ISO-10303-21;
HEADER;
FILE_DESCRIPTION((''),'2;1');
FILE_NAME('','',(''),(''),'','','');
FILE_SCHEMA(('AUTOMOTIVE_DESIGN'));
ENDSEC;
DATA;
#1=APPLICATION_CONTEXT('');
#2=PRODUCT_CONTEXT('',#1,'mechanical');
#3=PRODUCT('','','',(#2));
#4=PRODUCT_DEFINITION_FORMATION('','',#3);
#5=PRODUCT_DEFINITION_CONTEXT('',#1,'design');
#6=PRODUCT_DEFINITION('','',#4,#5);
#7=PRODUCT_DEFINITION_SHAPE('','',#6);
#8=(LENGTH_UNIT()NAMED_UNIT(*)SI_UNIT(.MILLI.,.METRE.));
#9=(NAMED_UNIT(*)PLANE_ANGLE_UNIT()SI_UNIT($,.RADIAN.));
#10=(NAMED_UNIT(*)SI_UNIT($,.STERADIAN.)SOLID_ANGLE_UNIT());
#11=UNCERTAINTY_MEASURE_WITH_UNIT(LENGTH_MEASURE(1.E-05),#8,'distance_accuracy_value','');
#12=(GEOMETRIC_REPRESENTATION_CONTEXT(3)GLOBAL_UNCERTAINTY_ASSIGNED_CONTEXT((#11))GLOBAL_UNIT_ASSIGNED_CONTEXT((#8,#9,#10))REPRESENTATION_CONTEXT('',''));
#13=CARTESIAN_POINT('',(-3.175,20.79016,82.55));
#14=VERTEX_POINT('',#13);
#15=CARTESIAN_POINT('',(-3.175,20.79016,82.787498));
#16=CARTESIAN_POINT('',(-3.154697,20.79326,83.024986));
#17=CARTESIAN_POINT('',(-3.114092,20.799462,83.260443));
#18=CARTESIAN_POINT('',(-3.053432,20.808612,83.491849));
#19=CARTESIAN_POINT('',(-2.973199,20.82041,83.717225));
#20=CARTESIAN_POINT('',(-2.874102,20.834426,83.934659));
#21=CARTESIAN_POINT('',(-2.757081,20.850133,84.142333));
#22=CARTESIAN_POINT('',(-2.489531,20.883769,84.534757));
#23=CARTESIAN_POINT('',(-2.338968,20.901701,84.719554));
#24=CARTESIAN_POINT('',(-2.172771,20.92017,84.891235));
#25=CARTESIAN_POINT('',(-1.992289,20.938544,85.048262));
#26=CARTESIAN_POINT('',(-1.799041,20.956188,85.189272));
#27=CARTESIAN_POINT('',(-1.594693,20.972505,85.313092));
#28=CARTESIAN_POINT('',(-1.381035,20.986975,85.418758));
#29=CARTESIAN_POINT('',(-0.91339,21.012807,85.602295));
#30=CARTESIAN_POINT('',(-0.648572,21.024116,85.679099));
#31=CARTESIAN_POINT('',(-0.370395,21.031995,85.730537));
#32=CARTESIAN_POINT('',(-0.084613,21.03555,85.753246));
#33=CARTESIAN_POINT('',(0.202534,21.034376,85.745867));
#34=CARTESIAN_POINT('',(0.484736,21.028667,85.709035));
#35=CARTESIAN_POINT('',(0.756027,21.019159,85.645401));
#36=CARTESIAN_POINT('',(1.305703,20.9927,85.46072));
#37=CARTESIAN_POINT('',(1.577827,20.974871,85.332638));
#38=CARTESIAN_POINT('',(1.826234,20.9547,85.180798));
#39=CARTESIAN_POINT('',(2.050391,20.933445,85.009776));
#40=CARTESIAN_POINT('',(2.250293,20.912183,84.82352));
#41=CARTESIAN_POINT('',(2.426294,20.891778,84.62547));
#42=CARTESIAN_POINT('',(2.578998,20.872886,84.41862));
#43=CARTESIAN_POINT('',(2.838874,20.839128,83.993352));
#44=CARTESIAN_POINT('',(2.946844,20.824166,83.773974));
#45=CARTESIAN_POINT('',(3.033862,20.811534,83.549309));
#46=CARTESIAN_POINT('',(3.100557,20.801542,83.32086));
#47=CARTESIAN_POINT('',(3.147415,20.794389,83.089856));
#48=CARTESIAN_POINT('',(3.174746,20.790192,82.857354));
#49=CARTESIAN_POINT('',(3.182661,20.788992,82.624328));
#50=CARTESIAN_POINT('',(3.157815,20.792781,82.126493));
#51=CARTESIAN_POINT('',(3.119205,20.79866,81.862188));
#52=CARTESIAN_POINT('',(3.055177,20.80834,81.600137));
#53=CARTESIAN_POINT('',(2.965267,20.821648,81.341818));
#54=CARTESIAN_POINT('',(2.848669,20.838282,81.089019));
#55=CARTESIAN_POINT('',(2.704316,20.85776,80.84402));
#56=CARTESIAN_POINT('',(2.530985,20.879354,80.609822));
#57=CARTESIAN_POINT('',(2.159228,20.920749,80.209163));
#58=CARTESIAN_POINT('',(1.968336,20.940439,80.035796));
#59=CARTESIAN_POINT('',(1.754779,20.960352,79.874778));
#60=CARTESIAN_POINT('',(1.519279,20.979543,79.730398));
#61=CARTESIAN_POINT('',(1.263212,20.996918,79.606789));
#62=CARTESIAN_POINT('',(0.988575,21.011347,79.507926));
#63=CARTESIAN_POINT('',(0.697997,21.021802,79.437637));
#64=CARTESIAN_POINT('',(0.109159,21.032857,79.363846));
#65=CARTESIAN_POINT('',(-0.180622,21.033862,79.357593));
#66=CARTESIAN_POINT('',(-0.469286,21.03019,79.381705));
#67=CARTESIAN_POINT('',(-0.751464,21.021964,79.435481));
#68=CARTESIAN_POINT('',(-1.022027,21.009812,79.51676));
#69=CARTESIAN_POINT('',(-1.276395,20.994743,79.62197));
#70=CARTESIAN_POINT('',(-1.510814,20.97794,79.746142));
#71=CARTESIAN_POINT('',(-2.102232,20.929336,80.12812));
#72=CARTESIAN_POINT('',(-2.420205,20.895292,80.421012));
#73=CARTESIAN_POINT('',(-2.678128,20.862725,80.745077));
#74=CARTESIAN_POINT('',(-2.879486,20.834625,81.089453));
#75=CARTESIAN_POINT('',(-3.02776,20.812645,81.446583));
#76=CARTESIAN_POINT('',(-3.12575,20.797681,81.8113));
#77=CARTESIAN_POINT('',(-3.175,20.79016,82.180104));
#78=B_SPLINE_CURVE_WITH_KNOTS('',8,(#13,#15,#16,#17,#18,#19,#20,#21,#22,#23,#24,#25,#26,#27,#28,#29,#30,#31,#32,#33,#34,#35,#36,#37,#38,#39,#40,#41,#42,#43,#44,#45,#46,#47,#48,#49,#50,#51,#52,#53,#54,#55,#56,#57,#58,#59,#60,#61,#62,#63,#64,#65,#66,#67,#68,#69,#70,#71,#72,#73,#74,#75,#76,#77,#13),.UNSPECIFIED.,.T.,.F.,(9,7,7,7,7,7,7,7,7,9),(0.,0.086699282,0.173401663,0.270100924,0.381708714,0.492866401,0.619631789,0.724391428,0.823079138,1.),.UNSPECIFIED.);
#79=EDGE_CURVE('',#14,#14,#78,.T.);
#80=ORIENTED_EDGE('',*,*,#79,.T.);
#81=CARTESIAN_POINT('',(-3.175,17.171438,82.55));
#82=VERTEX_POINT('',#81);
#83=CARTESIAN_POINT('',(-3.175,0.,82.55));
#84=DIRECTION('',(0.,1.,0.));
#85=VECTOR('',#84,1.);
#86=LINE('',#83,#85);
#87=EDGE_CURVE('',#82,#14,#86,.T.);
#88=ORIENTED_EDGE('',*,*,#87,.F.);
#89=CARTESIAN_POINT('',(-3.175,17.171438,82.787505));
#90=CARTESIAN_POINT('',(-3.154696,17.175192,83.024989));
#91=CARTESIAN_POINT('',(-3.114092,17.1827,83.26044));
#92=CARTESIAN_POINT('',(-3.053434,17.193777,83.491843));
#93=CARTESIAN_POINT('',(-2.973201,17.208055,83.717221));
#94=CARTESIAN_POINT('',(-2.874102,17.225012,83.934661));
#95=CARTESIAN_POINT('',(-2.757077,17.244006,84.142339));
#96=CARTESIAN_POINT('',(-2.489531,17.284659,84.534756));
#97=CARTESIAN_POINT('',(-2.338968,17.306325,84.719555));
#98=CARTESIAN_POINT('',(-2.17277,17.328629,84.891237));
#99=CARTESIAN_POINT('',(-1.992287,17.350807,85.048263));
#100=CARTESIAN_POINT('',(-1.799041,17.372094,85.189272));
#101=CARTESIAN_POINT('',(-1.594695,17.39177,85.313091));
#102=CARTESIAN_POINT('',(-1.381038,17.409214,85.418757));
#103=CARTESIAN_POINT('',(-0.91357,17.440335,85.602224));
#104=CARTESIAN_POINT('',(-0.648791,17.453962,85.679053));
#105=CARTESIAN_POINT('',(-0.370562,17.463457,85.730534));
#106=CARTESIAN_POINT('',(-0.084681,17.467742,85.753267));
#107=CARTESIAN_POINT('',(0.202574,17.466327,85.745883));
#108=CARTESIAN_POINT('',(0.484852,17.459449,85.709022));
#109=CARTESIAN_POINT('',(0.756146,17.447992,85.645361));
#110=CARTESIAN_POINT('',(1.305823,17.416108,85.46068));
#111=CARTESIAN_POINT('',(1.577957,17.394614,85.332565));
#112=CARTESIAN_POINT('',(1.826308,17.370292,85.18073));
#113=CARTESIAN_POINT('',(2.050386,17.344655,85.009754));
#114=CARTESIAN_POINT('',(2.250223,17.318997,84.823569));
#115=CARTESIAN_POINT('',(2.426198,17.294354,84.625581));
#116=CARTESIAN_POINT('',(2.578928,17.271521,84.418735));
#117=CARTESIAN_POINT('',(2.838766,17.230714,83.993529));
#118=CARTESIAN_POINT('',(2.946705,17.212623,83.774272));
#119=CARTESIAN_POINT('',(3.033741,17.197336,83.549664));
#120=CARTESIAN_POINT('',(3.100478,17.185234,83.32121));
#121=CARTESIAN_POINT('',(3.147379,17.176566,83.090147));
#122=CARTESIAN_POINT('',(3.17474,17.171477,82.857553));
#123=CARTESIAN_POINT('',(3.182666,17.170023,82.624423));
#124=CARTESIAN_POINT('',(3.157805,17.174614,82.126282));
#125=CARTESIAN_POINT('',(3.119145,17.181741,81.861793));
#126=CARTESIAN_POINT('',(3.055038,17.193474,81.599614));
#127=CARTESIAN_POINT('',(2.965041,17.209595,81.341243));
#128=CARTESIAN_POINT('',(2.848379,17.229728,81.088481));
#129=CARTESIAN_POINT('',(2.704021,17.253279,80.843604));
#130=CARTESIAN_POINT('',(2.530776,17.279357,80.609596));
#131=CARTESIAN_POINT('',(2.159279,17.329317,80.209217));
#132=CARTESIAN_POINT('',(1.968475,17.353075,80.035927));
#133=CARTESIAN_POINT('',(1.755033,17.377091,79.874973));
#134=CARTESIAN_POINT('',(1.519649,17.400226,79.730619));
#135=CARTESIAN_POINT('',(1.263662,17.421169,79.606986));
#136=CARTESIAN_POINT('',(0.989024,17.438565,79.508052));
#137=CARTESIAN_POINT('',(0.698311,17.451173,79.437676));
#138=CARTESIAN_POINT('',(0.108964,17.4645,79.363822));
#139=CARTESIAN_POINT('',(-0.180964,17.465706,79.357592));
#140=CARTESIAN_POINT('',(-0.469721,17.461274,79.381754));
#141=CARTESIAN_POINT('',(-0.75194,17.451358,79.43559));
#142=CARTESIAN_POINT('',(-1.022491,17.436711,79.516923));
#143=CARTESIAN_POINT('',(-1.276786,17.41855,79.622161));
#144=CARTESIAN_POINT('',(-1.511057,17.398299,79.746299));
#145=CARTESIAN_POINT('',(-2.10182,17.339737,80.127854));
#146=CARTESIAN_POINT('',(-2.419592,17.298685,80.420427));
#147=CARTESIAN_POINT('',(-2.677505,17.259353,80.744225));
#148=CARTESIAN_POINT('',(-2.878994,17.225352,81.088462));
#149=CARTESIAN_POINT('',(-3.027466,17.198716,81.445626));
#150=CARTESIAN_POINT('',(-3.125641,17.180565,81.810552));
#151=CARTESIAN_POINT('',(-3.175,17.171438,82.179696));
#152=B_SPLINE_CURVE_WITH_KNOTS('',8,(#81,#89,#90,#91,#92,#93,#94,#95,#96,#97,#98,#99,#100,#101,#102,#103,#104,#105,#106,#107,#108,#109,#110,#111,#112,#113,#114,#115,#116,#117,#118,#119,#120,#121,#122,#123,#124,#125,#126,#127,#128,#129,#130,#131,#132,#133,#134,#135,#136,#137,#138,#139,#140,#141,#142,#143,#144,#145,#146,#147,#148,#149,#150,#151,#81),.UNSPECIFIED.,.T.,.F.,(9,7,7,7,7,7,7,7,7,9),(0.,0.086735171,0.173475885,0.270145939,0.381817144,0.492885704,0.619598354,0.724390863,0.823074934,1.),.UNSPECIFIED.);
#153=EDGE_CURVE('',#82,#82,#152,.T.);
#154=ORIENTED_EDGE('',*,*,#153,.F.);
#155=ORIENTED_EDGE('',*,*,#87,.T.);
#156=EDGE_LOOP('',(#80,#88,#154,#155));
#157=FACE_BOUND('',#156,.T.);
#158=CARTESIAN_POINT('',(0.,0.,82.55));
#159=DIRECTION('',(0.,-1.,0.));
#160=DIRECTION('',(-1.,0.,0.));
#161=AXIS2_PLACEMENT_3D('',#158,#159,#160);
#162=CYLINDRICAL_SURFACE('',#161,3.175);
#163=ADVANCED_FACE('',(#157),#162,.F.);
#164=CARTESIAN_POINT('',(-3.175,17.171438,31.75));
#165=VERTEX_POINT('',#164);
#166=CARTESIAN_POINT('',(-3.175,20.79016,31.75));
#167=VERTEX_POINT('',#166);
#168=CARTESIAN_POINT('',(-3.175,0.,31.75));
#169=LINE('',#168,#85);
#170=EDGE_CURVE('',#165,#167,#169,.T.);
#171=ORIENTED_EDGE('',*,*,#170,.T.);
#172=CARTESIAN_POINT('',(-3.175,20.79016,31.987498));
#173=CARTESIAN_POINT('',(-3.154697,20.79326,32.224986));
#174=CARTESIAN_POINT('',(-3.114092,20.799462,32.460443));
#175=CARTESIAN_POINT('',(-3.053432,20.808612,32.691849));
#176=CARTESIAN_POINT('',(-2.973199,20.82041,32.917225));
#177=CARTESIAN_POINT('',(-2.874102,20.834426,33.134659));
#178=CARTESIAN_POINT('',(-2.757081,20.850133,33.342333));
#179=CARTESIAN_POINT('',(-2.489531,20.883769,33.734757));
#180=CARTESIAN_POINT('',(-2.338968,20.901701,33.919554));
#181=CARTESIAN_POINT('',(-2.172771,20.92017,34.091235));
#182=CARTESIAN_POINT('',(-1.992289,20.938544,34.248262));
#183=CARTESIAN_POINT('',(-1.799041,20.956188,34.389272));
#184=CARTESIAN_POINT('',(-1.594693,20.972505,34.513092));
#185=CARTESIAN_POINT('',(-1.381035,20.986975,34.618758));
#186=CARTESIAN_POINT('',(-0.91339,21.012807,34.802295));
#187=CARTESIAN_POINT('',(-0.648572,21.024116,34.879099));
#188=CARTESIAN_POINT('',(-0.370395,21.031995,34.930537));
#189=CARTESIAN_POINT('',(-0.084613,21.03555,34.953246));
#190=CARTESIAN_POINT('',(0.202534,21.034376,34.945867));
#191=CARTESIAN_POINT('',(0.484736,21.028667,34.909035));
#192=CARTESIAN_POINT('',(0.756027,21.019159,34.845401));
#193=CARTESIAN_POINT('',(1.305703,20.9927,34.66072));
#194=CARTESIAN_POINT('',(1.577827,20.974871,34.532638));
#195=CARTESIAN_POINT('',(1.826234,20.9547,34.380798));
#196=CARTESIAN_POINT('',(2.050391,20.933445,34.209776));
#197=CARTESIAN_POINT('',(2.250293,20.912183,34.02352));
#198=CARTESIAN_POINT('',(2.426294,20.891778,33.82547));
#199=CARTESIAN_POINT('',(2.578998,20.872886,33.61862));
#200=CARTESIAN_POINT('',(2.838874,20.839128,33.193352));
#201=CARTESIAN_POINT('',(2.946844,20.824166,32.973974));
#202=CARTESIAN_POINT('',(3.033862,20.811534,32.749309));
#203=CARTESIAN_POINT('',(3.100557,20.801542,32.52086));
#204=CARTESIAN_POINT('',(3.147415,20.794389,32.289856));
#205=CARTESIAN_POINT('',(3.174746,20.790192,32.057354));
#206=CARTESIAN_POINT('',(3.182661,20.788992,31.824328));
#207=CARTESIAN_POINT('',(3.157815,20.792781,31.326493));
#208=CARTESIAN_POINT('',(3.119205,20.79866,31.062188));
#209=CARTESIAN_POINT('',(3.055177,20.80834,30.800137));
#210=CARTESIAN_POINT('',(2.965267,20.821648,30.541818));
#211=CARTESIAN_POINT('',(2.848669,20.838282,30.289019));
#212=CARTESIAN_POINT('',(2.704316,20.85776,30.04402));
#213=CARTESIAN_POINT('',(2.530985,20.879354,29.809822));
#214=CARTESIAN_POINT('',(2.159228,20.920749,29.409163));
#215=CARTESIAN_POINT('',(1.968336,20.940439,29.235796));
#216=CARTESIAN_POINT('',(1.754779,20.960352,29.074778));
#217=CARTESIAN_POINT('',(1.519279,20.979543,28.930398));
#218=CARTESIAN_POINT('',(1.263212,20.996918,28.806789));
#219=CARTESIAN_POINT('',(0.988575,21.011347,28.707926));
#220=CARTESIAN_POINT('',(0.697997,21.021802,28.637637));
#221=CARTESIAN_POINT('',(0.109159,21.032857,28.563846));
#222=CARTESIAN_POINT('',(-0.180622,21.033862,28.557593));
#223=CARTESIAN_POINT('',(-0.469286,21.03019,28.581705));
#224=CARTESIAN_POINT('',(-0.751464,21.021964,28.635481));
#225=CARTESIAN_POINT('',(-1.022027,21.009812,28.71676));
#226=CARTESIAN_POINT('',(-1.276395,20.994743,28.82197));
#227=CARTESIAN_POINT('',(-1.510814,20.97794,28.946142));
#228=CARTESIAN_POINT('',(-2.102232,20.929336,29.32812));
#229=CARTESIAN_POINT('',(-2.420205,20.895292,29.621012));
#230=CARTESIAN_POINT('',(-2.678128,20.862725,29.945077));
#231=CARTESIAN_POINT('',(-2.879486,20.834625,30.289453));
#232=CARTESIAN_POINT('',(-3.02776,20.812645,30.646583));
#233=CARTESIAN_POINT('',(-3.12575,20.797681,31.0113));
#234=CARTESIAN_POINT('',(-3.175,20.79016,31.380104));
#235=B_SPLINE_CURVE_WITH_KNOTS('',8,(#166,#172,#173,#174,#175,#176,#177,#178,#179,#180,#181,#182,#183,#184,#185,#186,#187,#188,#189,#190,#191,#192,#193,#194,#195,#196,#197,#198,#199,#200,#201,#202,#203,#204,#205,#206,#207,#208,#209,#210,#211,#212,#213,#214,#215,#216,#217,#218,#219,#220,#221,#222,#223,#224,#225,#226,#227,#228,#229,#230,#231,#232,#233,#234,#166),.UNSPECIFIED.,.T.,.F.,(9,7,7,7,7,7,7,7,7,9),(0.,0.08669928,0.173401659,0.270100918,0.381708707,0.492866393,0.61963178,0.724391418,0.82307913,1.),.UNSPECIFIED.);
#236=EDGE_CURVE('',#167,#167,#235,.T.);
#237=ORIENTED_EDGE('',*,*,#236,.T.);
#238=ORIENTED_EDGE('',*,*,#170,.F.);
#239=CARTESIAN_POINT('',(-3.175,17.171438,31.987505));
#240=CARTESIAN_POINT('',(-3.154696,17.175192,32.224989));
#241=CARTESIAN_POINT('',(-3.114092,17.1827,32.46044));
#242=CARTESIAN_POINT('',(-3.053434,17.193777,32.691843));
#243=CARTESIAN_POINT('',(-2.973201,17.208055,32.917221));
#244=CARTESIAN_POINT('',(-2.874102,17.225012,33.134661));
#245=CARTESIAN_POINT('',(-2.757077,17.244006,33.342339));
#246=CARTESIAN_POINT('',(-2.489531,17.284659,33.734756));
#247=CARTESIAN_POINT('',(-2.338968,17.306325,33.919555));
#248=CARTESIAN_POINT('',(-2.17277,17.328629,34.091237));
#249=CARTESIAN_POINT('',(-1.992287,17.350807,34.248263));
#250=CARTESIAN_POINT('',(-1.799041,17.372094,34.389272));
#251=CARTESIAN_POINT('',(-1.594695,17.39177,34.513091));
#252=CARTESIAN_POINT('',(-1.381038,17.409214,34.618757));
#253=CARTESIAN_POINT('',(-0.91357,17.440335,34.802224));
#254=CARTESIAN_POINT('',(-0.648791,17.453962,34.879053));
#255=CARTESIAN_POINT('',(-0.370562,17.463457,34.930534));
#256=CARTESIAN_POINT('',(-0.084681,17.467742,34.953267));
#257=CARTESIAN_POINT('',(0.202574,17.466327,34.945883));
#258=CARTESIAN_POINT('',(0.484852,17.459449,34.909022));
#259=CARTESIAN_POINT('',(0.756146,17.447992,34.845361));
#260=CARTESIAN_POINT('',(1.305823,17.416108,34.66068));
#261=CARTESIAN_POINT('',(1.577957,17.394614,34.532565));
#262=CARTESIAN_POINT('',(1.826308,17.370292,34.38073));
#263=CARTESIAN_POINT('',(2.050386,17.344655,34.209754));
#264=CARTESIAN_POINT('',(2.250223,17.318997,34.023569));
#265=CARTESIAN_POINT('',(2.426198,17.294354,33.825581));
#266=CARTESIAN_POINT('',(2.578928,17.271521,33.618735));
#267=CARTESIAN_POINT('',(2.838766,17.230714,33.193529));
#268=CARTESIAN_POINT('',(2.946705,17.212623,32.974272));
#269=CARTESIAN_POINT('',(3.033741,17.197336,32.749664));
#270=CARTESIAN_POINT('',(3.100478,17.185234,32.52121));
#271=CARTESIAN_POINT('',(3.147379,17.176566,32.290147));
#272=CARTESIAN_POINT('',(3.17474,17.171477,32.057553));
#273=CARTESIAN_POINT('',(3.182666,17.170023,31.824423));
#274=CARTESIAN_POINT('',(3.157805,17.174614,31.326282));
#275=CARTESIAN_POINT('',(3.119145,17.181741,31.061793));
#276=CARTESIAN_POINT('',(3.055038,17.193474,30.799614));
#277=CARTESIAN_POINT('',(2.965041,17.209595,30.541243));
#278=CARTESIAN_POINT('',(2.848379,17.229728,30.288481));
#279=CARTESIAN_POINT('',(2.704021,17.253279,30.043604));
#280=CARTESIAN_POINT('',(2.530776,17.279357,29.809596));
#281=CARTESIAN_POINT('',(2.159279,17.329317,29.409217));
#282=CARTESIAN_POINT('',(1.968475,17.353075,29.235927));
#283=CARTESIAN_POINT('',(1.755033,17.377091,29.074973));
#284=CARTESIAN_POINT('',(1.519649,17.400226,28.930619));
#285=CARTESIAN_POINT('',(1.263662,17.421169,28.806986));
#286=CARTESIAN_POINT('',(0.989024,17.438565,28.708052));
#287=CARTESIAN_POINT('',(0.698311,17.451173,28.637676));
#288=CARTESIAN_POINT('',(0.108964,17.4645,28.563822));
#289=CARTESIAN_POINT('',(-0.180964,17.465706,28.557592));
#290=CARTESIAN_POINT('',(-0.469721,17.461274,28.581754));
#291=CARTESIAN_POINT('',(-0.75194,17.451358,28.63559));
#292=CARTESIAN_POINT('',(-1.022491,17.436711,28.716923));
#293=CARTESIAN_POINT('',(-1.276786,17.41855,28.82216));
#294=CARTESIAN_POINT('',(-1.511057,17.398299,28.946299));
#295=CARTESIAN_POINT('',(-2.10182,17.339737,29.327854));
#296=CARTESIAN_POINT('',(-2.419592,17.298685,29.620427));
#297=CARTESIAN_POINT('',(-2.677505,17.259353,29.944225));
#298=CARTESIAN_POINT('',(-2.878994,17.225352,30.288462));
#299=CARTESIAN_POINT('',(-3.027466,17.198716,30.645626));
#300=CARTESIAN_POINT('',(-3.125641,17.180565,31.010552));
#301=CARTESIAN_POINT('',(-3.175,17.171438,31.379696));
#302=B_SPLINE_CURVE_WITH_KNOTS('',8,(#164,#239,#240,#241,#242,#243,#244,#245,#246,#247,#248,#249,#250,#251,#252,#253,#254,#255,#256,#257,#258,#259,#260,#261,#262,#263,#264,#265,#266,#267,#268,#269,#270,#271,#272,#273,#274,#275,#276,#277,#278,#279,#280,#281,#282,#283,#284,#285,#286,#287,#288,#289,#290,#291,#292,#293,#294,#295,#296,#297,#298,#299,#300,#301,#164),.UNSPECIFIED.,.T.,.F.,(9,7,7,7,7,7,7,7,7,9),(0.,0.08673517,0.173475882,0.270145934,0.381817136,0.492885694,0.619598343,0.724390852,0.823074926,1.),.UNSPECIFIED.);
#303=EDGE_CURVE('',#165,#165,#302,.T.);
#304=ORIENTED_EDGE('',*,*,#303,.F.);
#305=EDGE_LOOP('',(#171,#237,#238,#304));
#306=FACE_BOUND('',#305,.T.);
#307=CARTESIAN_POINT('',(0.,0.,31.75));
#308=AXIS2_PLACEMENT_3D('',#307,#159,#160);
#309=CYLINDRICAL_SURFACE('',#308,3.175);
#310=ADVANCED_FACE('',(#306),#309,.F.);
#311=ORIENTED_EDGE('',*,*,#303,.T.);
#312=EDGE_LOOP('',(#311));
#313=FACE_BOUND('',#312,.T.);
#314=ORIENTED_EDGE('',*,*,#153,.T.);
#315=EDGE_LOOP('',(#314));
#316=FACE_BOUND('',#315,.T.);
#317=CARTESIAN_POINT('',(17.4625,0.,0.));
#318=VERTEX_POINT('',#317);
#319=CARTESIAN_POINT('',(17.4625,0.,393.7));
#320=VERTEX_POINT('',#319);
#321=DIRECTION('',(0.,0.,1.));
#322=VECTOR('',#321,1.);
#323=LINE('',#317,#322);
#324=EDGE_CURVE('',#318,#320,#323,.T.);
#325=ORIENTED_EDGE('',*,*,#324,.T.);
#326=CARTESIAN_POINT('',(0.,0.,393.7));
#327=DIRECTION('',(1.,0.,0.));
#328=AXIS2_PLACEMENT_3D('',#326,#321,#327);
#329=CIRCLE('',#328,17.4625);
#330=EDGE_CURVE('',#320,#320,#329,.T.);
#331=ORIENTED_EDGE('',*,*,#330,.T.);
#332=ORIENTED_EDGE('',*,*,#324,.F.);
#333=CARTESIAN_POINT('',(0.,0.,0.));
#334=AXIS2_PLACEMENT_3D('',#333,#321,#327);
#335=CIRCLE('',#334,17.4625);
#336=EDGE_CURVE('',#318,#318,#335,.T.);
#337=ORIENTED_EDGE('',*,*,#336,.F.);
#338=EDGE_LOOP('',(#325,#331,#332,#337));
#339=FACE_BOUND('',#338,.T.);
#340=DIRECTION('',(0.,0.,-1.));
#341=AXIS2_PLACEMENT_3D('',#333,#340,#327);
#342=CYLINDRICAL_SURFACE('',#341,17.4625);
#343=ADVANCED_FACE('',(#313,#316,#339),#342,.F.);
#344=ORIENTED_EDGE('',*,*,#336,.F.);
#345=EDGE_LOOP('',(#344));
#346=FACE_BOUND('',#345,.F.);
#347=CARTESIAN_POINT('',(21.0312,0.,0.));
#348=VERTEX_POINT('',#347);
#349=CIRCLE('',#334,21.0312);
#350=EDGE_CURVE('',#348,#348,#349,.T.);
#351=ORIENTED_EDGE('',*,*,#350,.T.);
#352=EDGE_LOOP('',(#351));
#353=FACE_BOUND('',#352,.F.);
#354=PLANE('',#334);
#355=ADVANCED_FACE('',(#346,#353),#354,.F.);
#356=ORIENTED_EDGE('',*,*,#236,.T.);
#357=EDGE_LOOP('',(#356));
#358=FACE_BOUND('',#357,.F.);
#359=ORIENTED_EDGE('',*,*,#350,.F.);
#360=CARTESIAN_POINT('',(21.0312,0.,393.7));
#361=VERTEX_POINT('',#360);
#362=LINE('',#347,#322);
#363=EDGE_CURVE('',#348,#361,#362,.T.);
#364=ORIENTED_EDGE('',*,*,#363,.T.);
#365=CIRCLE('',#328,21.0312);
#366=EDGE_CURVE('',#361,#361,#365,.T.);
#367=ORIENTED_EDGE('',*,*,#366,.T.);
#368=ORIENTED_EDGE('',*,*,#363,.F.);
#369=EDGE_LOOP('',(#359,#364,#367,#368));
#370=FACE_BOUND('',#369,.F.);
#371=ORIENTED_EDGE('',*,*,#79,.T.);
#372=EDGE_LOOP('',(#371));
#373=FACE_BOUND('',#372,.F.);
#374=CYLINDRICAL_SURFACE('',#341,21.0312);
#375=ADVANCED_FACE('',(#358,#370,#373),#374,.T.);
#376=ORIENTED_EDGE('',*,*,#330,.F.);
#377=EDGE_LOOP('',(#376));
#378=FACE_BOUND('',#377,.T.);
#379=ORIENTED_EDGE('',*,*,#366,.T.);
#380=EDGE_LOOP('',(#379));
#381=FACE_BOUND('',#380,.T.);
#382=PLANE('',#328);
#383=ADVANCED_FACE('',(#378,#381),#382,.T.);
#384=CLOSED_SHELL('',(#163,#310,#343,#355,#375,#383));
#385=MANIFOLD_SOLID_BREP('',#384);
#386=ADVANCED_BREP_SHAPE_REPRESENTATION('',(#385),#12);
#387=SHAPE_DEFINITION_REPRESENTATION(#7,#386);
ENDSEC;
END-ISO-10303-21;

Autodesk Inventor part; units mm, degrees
ref_plane "YZ Plane" through (0, 0, 0) normal (1, 0, 0) x (0, 1, 0)
ref_plane "XZ Plane" through (0, 0, 0) normal (0, 1, 0) x (-1, 0, 0)
ref_plane "XY Plane" through (0, 0, 0) normal (0, 0, 1) x (1, 0, 0)
sketch "Sketch1" plane through (0, 0, 0) normal (0, 0, 1) x (1, 0, 0)
  circle A0 centre (0, 0) radius 21.0312
  circle A1 centre (0, 0) radius 17.4625
  dimension "d0" = 42.0624
  dimension "d1" = 34.925
extrude "Extrusion1" add sketch "Sketch1" along normal blind 393.7
sketch "Sketch2" plane through (0, 0, 0) normal (0, 1, 0) x (-1, 0, 0)
  line L0 (0, -78.74) -> (0, 472.44) projected
  line L1 (-21.0312, 393.7) -> (21.0312, 393.7) projected
  line L2 (-21.0312, 0) -> (21.0312, 0) projected
  line L3 (21.0312, 0) -> (21.0312, 393.7) projected
  line L4 (-21.0312, 0) -> (21.0312, 0) projected
  circle A0 centre (0, 31.75) radius 3.175
  circle A1 centre (0, 82.55) radius 3.175
  dimension "d4" = 6.35
  dimension "d5" = 50.8
  dimension "d6" = 31.75
extrude "Extrusion2" cut sketch "Sketch2" along normal through all contours A0 L0 | L0 A0 | A1 L0 | L0 A1
properties part number "FE-00006-03"
